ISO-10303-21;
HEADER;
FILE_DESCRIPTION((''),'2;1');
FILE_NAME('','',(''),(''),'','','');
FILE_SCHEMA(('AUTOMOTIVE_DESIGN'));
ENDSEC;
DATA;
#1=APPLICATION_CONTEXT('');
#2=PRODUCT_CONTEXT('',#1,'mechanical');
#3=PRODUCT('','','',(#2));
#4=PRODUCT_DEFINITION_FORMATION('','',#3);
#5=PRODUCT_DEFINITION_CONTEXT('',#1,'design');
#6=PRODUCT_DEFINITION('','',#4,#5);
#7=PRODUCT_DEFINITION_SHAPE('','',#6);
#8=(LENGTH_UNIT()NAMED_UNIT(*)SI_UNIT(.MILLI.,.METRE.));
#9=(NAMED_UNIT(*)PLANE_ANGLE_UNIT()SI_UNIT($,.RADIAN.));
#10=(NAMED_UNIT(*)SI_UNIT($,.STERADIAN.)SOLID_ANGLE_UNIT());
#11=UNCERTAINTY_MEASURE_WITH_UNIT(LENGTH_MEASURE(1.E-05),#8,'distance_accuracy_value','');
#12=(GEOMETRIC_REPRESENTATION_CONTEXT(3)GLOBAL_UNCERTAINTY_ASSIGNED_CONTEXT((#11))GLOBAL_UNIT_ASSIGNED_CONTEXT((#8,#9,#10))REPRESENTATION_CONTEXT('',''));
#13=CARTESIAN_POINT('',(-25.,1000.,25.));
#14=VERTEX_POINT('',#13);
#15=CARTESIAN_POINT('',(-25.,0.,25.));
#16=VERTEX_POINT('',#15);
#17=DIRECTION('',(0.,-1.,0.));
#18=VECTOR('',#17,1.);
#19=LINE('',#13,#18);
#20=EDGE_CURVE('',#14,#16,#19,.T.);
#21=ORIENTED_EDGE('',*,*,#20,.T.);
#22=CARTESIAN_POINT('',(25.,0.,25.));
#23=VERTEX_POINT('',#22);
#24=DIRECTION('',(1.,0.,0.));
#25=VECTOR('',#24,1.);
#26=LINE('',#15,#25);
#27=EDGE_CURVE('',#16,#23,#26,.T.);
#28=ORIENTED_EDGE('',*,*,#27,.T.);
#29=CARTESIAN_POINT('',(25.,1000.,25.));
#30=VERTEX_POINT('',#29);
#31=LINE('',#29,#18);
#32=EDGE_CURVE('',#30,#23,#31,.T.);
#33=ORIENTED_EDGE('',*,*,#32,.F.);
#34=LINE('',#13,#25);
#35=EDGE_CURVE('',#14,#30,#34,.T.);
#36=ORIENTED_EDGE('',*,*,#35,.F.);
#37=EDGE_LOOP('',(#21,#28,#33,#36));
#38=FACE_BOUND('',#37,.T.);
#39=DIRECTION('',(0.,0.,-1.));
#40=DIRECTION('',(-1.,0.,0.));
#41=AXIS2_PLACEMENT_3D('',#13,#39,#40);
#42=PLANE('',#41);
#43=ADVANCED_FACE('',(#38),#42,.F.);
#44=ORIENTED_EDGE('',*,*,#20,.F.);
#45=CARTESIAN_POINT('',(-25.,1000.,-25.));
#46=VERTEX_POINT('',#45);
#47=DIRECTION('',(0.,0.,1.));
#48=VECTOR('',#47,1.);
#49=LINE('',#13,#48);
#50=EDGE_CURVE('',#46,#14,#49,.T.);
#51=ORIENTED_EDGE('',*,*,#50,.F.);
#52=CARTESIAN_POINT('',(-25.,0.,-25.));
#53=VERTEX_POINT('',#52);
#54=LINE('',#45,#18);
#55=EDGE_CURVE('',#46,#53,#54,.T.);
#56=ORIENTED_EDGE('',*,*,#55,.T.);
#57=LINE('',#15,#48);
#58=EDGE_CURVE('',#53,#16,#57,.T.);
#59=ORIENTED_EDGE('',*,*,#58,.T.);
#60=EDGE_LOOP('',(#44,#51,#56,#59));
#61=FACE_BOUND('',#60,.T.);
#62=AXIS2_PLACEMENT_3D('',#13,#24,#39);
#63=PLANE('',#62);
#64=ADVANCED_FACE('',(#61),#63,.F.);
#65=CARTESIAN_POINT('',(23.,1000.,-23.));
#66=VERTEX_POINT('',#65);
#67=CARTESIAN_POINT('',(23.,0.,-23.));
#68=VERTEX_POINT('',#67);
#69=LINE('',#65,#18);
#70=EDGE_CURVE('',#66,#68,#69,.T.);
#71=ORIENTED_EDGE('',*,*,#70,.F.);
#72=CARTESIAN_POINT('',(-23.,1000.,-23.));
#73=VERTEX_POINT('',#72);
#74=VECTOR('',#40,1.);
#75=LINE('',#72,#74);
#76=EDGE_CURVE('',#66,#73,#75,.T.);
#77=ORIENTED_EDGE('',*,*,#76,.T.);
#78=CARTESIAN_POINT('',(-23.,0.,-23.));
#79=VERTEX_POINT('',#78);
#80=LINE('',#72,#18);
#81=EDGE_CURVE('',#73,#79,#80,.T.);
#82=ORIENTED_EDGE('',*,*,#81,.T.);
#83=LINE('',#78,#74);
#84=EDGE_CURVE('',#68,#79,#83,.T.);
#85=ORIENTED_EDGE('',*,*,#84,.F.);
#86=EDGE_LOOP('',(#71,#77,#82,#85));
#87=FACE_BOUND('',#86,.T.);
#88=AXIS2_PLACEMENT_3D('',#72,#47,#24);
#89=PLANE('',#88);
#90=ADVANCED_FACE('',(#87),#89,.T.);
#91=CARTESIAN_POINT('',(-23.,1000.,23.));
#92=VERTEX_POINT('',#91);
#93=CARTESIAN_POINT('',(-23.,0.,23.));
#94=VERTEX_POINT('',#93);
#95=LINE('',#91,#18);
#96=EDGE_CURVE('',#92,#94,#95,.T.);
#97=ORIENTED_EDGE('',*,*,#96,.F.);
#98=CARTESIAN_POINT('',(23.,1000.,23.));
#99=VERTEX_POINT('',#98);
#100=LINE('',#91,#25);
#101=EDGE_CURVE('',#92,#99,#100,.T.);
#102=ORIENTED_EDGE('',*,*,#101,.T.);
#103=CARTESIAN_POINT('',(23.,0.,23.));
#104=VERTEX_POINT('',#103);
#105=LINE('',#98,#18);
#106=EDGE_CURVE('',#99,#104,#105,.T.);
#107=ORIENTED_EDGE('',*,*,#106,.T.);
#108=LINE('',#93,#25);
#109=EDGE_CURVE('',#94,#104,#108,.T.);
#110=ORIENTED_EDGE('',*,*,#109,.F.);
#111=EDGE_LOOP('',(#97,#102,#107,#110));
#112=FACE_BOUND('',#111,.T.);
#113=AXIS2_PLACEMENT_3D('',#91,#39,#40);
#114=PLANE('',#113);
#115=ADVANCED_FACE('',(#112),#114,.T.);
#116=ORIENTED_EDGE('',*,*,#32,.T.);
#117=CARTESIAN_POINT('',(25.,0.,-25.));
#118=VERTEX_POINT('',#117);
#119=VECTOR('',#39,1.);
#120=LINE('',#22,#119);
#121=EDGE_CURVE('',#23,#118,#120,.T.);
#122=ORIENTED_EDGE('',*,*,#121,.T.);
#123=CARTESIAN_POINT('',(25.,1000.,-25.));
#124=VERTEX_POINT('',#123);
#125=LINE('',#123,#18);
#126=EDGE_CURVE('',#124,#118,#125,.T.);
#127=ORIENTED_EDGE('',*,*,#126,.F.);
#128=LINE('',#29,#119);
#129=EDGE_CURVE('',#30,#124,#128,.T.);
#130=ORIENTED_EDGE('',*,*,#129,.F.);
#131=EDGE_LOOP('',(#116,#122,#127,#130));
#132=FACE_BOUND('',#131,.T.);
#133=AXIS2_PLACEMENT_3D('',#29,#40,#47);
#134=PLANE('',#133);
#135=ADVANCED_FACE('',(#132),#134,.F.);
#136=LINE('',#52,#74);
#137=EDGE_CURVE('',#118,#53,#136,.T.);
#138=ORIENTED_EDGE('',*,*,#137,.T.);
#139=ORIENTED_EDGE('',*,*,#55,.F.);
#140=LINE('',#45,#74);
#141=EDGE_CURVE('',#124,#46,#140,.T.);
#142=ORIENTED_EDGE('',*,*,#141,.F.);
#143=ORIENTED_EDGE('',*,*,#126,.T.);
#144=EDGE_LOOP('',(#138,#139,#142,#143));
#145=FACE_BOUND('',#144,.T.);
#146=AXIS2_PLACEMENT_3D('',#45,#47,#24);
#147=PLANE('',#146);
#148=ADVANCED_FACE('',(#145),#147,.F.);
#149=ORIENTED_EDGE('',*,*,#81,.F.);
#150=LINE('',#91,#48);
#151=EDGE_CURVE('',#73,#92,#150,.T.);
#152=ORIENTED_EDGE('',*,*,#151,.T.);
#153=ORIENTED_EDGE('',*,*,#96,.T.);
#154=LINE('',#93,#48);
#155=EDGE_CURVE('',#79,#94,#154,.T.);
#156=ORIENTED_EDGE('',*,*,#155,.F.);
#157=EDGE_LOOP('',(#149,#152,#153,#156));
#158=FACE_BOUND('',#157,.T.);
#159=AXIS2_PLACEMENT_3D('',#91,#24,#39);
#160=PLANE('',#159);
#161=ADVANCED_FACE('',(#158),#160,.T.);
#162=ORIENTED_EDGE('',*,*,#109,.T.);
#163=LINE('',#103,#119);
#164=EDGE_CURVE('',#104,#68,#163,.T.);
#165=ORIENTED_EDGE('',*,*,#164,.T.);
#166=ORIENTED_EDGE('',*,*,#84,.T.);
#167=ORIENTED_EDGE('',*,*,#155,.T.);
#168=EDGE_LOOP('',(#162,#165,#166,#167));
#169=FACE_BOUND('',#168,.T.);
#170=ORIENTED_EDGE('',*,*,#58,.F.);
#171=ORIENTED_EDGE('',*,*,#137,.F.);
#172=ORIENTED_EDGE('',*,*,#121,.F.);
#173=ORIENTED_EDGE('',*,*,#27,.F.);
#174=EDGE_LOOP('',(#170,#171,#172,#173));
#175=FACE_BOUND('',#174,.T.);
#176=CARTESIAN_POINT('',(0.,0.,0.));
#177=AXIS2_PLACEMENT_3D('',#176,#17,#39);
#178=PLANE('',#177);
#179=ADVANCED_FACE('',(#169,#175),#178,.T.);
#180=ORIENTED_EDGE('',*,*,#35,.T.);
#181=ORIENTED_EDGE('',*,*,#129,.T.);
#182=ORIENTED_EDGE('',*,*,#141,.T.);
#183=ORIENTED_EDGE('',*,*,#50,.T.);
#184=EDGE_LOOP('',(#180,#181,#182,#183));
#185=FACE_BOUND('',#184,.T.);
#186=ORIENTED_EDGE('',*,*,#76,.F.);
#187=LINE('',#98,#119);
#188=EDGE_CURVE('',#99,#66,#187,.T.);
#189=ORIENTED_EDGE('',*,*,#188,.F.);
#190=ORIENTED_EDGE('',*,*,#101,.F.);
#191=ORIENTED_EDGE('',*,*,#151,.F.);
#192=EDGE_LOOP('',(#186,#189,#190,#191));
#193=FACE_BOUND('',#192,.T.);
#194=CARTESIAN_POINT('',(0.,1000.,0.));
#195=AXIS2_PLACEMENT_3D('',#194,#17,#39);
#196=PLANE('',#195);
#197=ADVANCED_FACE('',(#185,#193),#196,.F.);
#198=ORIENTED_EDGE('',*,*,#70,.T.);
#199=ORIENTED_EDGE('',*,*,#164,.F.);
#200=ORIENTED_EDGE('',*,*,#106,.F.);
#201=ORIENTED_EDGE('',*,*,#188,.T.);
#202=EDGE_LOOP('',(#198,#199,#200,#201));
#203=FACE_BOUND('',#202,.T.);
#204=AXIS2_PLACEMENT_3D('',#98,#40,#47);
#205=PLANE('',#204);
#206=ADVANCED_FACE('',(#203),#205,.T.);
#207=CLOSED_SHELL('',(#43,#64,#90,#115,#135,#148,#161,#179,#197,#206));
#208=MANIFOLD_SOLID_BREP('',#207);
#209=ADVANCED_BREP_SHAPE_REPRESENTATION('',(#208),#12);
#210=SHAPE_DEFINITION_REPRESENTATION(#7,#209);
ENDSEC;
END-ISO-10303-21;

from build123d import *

# Parameters (mm, degrees)
SKETCH1_W           = 50
SKETCH1_H           = 50
SKETCH1_W_2         = 46
SKETCH1_H_2         = 46
BOSS_EXTRUDE1_DEPTH = 1000


with BuildPart() as part:
    # Sketch1 → Boss-Extrude1 (new body)
    with BuildSketch(Plane(origin=(0, 0, 0), x_dir=(1, 0, 0), z_dir=(0, 1, 0))):
        Rectangle(SKETCH1_W, SKETCH1_H)
        Rectangle(SKETCH1_W_2, SKETCH1_H_2, mode=Mode.SUBTRACT)
    extrude(amount=BOSS_EXTRUDE1_DEPTH)


solid = part.part
